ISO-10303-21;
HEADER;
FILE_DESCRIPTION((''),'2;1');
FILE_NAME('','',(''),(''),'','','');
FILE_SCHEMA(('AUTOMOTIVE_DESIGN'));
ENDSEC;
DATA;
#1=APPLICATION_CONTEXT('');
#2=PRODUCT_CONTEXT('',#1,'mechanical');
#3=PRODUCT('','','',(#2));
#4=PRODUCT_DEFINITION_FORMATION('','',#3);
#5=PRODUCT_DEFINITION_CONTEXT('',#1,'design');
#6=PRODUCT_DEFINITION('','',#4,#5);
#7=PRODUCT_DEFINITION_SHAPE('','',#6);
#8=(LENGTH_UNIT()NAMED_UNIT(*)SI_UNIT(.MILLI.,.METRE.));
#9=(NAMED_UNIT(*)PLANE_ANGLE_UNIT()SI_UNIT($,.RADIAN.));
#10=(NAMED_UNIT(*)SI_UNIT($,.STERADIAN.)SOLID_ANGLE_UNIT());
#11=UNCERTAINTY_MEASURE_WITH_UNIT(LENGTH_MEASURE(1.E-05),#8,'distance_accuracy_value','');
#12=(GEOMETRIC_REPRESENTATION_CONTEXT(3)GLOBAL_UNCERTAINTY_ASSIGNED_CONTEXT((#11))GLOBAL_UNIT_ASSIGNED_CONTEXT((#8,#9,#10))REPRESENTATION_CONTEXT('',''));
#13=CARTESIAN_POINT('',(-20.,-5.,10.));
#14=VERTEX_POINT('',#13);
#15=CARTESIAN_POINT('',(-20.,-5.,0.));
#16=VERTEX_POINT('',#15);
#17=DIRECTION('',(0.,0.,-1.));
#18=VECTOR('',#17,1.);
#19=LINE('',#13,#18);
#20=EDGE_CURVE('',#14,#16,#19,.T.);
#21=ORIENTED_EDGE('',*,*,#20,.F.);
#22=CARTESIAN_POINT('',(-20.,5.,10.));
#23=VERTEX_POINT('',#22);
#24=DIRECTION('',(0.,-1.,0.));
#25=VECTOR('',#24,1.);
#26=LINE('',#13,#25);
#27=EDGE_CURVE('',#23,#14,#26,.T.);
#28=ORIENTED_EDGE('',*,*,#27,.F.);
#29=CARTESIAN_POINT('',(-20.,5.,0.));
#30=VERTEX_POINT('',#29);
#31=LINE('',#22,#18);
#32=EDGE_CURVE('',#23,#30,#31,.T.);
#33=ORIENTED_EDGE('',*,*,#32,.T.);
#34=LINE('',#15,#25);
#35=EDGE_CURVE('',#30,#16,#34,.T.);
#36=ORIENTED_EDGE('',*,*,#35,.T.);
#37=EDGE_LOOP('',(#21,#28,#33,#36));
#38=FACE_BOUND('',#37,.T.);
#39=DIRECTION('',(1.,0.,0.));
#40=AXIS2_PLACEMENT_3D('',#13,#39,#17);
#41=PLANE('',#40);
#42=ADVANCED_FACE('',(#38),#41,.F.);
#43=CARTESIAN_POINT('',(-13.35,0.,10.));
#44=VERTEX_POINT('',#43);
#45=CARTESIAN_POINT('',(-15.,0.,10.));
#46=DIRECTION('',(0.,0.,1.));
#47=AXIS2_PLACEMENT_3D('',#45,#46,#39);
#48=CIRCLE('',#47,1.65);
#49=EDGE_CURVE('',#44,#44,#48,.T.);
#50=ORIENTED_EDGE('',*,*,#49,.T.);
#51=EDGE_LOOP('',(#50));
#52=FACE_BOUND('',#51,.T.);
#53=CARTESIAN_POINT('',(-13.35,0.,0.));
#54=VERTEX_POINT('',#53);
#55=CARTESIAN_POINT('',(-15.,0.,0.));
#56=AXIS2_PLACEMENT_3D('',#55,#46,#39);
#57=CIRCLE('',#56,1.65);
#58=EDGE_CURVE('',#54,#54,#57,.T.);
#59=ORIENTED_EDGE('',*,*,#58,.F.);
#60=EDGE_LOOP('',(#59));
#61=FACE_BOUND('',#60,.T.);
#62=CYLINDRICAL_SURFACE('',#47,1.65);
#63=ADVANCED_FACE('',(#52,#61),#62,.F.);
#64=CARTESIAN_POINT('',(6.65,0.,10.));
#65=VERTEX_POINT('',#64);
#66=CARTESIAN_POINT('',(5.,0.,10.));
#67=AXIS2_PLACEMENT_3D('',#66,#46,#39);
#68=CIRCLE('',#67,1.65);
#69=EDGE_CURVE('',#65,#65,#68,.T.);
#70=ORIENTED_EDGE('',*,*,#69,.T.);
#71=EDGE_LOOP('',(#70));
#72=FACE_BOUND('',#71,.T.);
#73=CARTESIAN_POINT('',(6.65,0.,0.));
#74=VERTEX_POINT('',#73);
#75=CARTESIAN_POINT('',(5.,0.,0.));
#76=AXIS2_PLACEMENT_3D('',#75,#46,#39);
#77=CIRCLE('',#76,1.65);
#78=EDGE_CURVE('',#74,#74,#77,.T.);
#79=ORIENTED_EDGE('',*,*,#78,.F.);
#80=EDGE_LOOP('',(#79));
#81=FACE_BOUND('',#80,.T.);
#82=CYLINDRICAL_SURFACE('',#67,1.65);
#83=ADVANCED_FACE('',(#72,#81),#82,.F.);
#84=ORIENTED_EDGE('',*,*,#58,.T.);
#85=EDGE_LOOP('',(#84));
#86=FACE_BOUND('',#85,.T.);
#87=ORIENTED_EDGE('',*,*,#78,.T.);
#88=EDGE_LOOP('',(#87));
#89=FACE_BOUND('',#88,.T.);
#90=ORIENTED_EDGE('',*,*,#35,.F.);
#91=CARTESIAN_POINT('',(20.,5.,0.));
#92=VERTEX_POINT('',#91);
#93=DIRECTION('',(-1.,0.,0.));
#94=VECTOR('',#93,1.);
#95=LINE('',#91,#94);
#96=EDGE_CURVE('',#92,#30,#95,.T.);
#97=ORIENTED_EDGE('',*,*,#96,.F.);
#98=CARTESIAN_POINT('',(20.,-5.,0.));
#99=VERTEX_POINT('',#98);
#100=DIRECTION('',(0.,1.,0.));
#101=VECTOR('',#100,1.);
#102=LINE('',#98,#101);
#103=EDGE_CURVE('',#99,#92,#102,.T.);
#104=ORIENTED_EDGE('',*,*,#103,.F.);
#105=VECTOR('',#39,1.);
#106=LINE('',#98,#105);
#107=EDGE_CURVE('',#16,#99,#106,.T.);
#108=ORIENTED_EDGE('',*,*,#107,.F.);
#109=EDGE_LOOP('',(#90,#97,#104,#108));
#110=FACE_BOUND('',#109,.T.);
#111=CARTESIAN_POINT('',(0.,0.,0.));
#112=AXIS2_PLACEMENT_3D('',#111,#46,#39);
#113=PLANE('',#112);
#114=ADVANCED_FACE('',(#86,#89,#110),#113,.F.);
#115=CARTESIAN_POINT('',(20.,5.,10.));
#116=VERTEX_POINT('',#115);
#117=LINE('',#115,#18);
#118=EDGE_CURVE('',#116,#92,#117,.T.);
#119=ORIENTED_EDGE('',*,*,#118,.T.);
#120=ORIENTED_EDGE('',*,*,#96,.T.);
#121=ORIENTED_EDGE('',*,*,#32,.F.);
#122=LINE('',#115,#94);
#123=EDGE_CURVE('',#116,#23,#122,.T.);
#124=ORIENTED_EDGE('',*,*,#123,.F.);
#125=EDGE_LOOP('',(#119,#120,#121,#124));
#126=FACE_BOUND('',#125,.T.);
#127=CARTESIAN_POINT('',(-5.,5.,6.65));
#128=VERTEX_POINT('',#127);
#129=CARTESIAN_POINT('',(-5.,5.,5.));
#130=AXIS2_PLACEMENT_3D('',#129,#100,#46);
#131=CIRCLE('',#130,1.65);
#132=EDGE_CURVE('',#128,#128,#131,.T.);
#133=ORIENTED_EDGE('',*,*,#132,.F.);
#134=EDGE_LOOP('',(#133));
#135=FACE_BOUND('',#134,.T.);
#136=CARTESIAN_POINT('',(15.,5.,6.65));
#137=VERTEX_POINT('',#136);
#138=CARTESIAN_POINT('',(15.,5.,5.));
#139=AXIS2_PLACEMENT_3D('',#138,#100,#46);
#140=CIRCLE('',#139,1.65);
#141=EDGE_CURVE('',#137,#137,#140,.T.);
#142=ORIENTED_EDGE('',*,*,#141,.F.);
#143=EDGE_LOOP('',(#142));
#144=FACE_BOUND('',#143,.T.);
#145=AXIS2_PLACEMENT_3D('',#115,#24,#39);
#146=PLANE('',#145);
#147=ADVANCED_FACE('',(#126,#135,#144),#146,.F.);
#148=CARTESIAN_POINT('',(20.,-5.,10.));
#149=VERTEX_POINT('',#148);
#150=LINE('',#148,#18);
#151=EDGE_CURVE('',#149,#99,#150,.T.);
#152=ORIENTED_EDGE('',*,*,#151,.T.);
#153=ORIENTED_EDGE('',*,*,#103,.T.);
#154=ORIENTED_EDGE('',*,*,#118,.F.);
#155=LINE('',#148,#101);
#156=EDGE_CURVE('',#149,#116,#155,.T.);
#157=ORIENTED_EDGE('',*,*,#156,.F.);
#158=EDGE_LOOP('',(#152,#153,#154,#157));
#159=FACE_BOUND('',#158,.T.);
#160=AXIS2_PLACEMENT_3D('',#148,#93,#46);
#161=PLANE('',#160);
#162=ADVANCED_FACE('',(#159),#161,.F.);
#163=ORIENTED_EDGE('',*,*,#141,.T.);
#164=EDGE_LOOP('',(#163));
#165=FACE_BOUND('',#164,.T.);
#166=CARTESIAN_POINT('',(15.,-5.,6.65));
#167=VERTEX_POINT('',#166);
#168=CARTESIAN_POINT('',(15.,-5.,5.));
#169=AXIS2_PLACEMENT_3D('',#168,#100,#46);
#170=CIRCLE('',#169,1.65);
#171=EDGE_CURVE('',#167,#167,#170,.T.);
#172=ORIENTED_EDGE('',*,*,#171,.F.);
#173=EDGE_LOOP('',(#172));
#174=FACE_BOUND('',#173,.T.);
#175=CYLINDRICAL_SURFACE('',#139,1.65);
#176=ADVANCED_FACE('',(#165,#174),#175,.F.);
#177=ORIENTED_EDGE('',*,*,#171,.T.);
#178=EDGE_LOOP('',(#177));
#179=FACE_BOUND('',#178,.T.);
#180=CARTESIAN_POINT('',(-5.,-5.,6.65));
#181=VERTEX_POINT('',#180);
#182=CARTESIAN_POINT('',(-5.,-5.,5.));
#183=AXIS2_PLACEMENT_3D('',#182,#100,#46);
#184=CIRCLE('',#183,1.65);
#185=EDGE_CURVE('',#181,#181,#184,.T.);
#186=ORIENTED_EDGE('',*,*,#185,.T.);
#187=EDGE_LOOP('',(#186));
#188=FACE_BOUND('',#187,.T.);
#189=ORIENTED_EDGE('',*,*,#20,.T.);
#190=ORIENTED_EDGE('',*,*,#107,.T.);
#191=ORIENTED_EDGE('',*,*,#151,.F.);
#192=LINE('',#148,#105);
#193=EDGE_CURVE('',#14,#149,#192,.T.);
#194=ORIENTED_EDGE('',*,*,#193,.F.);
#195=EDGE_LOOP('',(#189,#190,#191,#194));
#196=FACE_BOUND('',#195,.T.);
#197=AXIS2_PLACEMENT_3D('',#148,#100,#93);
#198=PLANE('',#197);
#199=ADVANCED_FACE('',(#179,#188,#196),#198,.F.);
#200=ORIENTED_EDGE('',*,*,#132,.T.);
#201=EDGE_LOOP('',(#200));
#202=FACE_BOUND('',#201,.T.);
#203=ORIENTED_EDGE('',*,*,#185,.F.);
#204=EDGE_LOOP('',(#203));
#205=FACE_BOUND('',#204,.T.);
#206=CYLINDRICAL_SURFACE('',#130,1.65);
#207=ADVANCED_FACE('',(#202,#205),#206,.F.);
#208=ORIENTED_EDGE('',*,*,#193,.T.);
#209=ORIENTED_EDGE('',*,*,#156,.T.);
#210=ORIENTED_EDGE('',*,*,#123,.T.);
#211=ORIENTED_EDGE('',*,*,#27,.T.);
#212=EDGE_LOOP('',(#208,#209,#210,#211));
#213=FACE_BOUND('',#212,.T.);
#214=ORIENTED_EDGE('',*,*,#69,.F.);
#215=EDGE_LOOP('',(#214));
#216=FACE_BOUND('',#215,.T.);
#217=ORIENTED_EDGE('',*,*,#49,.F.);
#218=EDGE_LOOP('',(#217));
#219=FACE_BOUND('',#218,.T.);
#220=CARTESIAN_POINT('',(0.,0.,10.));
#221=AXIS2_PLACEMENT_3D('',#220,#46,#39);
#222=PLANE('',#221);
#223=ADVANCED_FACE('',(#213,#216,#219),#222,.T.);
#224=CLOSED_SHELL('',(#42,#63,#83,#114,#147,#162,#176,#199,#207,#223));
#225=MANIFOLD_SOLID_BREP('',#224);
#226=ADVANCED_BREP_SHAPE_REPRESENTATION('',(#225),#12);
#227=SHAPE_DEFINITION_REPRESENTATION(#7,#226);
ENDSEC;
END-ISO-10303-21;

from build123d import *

# Parameters (mm, degrees)
SKETCH_1_W                   = 40
SKETCH_1_H                   = 10
EXTRUDE_1_DEPTH              = 10
HOLE_WIZARD_M4_1_D           = 3.3
HOLE_WIZARD_M4_1_ON_FACE_2_D = 3.3


with BuildPart() as part:
    # 草图1 → 凸台-拉伸1 (new body)
    with BuildSketch(Plane.XY):
        Rectangle(SKETCH_1_W, SKETCH_1_H)
    extrude(amount=EXTRUDE_1_DEPTH)

    # M4 螺纹孔的螺纹孔钻头1 (through all)
    with Locations(Plane(origin=(-5, 5, 5), x_dir=(1, 0, 0), z_dir=(0, 1, 0))):
        with Locations((0, 0), (20, 0)):
            Hole(HOLE_WIZARD_M4_1_D / 2)

    # M4 螺纹孔的螺纹孔钻头1 on face 2 (through all)
    with Locations(Plane(origin=(5, 0, 10), x_dir=(1, 0, 0), z_dir=(0, 0, 1))):
        with Locations((0, 0), (-20, 0)):
            Hole(HOLE_WIZARD_M4_1_ON_FACE_2_D / 2)


solid = part.part
